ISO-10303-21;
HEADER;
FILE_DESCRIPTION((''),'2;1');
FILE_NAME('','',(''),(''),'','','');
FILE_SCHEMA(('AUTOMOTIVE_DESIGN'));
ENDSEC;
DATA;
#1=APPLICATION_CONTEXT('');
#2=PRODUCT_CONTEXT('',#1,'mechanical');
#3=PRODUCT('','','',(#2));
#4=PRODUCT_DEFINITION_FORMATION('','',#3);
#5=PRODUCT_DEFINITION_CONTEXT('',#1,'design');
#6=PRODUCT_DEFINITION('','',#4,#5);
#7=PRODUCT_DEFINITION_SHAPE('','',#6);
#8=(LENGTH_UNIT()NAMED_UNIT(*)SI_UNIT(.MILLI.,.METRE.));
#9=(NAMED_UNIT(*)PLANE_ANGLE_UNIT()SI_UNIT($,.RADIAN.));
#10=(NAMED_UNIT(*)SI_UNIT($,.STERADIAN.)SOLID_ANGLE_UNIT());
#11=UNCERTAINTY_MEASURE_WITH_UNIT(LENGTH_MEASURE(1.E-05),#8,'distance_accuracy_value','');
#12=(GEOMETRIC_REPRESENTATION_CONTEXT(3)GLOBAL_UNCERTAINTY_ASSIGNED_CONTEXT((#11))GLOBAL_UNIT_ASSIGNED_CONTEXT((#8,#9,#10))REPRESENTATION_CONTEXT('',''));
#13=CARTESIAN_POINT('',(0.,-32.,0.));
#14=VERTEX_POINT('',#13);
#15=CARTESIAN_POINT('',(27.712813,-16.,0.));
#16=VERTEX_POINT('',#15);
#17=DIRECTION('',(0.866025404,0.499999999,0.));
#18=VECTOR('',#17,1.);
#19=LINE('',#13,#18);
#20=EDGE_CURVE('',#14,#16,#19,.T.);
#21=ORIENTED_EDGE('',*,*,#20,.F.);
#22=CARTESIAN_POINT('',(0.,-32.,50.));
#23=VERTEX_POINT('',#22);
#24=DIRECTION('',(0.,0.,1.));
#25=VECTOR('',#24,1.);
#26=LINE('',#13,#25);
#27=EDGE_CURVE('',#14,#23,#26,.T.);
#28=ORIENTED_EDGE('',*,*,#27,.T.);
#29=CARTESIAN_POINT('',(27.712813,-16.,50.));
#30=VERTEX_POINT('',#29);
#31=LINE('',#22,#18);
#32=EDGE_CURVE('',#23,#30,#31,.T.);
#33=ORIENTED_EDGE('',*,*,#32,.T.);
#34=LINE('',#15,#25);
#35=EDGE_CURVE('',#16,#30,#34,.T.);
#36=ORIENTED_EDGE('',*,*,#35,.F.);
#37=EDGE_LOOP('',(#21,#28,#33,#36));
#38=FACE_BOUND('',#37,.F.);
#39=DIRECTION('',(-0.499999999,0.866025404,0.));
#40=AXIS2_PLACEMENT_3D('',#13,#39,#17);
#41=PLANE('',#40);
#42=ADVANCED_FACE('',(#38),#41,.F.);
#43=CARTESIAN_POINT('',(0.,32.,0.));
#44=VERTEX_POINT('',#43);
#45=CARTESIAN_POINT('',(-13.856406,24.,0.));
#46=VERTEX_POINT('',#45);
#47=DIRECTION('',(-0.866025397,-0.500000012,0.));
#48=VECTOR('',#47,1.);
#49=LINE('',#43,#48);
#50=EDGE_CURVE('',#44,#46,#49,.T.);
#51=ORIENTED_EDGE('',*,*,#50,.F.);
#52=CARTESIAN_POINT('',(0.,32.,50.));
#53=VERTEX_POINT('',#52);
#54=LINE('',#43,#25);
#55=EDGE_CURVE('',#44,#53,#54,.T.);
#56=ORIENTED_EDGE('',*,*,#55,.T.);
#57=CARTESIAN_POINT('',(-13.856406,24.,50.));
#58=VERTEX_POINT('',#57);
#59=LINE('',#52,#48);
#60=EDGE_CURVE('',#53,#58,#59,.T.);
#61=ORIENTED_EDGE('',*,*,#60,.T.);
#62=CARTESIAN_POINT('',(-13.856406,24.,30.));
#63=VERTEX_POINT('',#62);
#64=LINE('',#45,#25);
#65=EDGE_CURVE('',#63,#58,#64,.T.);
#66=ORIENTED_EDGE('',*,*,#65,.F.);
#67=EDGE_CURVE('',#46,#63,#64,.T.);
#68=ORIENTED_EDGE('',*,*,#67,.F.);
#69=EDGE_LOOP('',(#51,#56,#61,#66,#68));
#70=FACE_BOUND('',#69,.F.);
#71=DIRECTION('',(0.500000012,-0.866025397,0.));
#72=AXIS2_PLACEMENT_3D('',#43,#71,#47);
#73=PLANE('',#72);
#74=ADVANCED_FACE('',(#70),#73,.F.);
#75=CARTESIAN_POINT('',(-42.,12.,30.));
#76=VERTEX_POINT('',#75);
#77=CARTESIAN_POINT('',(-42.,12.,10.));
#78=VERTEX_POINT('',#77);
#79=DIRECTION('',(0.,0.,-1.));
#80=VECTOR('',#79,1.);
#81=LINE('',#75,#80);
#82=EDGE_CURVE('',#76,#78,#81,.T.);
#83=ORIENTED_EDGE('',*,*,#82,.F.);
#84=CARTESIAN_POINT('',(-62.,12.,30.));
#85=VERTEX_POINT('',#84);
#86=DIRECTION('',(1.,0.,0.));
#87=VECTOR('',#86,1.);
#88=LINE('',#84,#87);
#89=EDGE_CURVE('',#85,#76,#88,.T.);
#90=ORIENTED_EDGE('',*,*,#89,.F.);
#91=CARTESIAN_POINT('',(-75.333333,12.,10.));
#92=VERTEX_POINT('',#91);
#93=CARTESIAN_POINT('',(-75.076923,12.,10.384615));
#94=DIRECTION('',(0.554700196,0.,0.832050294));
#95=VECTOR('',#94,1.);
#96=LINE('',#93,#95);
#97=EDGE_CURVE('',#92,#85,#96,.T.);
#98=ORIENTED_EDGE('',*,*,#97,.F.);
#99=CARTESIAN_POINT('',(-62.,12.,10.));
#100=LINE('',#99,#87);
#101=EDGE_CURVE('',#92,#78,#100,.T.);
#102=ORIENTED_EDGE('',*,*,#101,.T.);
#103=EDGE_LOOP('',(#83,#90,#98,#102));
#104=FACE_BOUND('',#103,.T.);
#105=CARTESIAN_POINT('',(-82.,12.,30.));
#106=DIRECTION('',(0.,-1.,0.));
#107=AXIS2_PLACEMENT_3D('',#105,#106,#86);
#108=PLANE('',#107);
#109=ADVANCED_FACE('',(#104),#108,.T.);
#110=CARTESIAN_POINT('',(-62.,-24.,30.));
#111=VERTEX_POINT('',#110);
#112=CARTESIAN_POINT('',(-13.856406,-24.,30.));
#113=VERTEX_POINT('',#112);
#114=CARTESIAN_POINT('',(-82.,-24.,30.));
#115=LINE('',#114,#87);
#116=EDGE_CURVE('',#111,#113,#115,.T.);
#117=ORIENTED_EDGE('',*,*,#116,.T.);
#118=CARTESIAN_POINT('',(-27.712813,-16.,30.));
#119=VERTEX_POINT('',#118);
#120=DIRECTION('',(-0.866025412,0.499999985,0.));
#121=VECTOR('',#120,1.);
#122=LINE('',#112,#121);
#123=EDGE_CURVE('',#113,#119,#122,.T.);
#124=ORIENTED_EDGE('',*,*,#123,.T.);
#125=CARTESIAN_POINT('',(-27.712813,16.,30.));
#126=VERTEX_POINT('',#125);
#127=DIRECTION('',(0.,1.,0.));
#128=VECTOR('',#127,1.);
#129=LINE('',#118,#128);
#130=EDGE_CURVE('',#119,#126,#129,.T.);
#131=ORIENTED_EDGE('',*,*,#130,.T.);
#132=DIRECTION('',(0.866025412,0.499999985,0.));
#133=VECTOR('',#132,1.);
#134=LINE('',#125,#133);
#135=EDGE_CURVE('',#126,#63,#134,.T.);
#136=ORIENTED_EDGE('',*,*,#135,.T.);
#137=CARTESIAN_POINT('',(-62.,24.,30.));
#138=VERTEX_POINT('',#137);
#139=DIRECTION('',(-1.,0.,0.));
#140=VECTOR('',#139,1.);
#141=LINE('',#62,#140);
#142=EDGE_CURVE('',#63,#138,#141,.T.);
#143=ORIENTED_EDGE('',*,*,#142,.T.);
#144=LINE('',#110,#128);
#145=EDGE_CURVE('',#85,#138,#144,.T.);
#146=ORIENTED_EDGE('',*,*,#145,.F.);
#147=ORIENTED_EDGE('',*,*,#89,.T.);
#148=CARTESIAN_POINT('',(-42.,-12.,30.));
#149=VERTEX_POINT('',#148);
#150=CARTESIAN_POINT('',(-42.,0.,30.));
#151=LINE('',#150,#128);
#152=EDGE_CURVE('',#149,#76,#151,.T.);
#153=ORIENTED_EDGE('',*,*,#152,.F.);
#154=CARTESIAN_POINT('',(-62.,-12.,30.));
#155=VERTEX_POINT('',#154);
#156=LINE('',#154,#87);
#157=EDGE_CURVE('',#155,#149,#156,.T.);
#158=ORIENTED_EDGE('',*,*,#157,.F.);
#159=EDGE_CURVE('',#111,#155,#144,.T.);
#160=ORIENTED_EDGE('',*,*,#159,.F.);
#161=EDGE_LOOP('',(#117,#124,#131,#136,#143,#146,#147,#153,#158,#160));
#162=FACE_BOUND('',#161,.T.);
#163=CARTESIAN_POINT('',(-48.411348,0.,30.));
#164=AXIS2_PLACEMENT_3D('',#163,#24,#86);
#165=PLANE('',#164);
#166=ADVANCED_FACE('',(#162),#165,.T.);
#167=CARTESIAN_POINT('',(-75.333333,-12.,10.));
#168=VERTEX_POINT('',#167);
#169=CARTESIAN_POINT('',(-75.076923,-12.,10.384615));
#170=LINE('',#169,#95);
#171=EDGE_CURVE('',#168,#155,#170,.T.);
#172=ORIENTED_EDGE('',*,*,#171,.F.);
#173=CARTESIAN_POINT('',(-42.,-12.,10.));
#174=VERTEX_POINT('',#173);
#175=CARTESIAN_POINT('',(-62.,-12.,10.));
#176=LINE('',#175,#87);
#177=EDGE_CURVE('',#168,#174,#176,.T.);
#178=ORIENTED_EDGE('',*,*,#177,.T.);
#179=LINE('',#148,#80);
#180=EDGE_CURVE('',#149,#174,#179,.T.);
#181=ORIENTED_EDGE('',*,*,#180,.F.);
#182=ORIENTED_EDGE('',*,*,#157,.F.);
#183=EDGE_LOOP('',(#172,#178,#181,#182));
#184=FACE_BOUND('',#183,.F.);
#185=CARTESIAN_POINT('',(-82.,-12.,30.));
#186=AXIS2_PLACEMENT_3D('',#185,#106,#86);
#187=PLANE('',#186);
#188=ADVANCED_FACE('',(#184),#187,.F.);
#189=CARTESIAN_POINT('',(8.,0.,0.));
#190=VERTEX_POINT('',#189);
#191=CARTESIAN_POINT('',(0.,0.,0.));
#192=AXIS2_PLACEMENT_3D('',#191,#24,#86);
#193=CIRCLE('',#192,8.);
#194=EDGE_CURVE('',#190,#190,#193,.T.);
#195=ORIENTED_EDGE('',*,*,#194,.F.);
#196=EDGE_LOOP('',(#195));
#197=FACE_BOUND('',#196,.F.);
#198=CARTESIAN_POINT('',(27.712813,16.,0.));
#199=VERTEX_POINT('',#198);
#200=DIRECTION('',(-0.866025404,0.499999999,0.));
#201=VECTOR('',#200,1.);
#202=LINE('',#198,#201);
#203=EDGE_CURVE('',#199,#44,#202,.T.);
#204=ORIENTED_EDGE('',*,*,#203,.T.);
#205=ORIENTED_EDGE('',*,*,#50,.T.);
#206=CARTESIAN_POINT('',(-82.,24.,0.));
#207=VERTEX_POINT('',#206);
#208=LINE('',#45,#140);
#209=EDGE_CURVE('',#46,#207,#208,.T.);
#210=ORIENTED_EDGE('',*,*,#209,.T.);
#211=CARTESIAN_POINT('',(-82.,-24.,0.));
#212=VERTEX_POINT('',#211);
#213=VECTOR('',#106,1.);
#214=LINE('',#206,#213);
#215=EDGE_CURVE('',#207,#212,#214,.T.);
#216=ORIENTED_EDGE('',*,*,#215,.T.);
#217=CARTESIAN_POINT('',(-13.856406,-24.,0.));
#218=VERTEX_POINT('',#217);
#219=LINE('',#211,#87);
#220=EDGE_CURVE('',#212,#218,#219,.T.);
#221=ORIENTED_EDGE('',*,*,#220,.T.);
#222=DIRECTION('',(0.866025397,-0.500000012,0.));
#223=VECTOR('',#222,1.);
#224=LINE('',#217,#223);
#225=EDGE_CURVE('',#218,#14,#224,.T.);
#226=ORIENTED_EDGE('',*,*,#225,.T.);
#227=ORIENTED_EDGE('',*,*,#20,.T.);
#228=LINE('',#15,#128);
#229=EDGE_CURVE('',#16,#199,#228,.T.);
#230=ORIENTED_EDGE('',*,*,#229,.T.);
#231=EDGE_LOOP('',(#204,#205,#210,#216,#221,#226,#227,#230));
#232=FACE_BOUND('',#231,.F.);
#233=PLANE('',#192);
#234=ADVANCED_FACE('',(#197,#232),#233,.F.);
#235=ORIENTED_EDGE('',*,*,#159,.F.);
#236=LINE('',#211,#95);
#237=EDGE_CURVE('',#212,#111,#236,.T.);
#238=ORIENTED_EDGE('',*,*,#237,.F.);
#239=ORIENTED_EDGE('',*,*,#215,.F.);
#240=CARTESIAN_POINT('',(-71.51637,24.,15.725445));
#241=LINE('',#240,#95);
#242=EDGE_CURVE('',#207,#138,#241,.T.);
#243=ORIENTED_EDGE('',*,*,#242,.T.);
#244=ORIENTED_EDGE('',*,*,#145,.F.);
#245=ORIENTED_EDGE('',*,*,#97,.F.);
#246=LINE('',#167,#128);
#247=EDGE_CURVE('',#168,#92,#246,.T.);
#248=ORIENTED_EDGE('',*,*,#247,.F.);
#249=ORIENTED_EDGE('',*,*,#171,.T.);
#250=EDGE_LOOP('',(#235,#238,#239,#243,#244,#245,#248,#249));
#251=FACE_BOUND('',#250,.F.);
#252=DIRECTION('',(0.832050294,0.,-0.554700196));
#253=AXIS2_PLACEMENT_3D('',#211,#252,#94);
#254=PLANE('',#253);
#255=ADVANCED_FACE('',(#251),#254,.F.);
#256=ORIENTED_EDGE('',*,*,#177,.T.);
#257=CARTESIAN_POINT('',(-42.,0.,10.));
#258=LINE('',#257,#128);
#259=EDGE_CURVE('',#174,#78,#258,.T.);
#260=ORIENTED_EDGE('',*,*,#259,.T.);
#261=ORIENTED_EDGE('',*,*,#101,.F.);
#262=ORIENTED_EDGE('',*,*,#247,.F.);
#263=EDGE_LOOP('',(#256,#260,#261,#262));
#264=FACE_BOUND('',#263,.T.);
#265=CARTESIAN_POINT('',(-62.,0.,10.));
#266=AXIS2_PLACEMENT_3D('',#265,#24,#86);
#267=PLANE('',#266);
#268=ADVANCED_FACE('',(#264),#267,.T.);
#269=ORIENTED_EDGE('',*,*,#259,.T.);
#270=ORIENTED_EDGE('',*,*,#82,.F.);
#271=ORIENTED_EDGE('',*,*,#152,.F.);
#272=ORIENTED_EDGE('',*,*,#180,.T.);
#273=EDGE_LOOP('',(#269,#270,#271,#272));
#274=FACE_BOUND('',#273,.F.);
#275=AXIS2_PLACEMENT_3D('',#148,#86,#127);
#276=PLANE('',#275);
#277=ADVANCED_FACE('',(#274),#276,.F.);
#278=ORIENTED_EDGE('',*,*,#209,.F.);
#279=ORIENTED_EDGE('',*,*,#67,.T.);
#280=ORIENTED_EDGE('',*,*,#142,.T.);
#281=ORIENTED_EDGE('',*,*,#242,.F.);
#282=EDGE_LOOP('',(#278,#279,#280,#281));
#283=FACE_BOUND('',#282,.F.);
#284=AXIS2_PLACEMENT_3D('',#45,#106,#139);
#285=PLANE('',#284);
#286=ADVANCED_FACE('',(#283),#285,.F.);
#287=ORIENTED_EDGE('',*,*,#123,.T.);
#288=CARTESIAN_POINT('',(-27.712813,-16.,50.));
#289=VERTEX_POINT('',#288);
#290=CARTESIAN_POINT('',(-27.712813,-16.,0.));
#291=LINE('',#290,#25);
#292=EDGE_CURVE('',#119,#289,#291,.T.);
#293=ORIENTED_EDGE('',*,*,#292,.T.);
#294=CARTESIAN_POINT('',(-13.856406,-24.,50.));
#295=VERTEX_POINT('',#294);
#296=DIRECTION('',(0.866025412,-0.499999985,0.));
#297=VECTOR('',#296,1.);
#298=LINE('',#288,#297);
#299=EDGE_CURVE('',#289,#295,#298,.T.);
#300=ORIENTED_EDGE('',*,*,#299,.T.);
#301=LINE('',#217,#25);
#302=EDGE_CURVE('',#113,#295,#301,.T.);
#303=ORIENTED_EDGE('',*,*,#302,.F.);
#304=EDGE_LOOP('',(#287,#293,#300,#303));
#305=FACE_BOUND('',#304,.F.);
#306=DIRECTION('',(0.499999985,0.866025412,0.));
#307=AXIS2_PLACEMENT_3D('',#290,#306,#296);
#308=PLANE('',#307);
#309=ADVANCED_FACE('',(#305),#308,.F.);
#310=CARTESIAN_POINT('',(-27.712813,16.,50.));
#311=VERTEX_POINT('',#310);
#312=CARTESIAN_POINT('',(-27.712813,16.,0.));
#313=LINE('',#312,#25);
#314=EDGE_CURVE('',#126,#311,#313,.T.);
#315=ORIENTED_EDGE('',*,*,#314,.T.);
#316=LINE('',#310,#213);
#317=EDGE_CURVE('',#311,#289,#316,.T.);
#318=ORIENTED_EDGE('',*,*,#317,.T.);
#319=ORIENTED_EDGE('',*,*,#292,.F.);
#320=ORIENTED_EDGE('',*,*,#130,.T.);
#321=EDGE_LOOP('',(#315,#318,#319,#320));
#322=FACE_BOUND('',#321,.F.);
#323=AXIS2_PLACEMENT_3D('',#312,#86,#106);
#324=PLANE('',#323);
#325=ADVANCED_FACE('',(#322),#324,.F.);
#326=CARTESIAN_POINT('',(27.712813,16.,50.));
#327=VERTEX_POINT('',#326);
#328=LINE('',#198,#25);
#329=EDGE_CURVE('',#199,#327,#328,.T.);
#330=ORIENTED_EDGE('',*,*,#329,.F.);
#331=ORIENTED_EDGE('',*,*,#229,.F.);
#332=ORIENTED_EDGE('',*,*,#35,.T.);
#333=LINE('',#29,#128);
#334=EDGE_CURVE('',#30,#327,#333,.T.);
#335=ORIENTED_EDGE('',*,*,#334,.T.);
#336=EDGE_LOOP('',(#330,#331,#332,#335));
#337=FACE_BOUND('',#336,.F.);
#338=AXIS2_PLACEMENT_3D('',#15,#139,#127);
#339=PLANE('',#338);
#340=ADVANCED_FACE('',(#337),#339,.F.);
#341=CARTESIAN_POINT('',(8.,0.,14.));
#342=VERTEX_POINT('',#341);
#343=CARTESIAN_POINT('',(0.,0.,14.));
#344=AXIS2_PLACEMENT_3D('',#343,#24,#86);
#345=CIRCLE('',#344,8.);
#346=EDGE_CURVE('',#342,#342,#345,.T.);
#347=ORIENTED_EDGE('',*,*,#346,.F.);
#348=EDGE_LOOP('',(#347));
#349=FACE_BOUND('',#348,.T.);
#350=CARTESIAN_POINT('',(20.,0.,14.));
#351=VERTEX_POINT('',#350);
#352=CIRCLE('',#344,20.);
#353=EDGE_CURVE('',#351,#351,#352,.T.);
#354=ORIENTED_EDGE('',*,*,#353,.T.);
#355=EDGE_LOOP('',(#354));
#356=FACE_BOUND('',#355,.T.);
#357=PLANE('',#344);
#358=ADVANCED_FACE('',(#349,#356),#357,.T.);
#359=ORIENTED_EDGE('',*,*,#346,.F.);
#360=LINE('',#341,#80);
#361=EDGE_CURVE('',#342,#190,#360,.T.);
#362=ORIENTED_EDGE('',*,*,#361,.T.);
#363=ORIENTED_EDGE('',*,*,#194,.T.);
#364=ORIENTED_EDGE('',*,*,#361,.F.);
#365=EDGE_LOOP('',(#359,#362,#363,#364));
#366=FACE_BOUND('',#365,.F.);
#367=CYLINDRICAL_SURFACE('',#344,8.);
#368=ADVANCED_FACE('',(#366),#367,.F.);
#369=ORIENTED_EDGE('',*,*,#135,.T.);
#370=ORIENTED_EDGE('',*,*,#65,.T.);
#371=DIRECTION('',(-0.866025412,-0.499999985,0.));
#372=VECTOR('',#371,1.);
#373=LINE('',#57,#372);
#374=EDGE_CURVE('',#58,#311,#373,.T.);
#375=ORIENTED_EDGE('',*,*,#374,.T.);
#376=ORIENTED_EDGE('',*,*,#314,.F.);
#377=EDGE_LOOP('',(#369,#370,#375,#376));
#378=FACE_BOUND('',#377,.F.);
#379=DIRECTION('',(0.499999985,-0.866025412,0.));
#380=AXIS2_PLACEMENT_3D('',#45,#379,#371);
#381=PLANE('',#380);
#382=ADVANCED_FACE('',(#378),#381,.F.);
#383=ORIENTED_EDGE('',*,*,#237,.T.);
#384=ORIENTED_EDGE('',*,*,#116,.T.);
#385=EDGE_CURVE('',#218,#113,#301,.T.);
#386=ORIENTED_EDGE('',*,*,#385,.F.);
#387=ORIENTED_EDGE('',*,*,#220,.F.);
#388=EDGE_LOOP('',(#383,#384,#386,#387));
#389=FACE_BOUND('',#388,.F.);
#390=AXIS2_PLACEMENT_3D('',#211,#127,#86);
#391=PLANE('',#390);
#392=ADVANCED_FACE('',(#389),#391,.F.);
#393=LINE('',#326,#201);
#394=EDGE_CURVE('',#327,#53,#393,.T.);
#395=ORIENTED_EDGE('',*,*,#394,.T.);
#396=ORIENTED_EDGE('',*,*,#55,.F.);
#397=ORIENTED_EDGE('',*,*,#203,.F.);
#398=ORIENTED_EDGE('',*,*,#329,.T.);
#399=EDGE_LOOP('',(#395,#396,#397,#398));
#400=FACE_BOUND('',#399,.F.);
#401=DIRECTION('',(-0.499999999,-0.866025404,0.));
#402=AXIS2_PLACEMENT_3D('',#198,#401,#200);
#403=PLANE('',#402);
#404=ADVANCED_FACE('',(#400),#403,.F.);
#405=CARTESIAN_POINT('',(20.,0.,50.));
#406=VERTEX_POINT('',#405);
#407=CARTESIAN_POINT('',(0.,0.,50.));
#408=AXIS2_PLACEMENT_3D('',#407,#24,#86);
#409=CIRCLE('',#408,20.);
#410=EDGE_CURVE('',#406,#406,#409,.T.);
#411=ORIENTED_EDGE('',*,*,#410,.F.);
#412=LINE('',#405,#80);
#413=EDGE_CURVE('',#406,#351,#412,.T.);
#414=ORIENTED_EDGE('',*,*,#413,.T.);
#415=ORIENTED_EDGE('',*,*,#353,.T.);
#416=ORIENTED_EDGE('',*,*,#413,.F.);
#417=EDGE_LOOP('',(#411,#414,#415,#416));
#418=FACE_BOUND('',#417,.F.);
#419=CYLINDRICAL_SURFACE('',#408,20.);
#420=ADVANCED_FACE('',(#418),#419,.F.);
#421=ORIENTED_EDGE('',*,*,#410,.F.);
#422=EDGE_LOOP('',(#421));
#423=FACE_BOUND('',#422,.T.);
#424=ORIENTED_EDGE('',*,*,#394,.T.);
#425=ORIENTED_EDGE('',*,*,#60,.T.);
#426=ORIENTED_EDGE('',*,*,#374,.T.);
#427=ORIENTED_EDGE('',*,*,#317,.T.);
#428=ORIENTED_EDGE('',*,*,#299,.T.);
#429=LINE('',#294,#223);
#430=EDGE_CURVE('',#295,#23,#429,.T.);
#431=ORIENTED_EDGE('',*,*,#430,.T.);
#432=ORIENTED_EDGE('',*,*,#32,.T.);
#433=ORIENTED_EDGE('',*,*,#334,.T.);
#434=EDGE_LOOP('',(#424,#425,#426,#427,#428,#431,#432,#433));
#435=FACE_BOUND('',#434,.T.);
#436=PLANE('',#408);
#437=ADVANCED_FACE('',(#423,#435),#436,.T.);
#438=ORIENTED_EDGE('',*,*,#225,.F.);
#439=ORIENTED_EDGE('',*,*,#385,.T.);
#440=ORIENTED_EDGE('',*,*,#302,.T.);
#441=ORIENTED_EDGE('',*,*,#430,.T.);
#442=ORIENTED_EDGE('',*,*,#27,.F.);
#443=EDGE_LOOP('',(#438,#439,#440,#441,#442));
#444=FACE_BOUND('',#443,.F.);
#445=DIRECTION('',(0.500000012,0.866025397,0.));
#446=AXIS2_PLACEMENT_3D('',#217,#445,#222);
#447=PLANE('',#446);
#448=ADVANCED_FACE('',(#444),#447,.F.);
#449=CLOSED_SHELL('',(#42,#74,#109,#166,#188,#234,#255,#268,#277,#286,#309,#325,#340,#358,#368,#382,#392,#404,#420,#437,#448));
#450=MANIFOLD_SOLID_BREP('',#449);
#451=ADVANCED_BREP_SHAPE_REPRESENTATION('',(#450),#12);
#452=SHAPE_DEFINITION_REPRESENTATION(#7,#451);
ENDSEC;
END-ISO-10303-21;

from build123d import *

# Parameters (mm, degrees)
F1_DEPTH  = 30
F2_DEPTH  = 50
F3_R      = 20
F4_DEPTH  = 36
F5_R      = 8
F6_DEPTH  = 14.001
F7_W      = 40
F7_H      = 24
F8_DEPTH  = 20
F10_DEPTH = 56.001


with BuildPart() as f1:
    # F0 (on Top) → F1 (new body)
    with BuildSketch(Plane.XY):
        Polygon((-27.712813, 16), (-13.856406, 24), (-82, 24), (-82, -24), (-13.856406, -24), (-27.712813, -16), align=None)
    extrude(amount=F1_DEPTH)

    # F0 (on Top) → F2 (join)
    with BuildSketch(Plane.XY):
        Polygon((27.712813, 16), (0, 32), (-13.856406, 24), (-27.712813, 16), (-27.712813, -16), (-13.856406, -24), (0, -32), (27.712813, -16), align=None)
    extrude(amount=F2_DEPTH)

    # F3 (on face) → F4 (cut)
    with BuildSketch(Plane.XY.offset(50)):
        Circle(F3_R)
    extrude(amount=-F4_DEPTH, mode=Mode.SUBTRACT)

    # F5 (on face) → F6 (cut, through all)
    with BuildSketch(Plane.XY.offset(14)):
        Circle(F5_R)
    extrude(amount=-F6_DEPTH, mode=Mode.SUBTRACT)

    # F7 (on face) → F8 (cut)
    with BuildSketch(Plane.XY.offset(30)):
        with Locations((-62, 0)):
            Rectangle(F7_W, F7_H)
    extrude(amount=-F8_DEPTH, mode=Mode.SUBTRACT)

    # F9 (on face) → F10 (cut, through all)
    with BuildSketch(Plane.XZ.offset(24)):
        Polygon((-82, 30), (-82, 0), (-62, 30), align=None)
    extrude(amount=-F10_DEPTH, mode=Mode.SUBTRACT)


solid = f1.part
